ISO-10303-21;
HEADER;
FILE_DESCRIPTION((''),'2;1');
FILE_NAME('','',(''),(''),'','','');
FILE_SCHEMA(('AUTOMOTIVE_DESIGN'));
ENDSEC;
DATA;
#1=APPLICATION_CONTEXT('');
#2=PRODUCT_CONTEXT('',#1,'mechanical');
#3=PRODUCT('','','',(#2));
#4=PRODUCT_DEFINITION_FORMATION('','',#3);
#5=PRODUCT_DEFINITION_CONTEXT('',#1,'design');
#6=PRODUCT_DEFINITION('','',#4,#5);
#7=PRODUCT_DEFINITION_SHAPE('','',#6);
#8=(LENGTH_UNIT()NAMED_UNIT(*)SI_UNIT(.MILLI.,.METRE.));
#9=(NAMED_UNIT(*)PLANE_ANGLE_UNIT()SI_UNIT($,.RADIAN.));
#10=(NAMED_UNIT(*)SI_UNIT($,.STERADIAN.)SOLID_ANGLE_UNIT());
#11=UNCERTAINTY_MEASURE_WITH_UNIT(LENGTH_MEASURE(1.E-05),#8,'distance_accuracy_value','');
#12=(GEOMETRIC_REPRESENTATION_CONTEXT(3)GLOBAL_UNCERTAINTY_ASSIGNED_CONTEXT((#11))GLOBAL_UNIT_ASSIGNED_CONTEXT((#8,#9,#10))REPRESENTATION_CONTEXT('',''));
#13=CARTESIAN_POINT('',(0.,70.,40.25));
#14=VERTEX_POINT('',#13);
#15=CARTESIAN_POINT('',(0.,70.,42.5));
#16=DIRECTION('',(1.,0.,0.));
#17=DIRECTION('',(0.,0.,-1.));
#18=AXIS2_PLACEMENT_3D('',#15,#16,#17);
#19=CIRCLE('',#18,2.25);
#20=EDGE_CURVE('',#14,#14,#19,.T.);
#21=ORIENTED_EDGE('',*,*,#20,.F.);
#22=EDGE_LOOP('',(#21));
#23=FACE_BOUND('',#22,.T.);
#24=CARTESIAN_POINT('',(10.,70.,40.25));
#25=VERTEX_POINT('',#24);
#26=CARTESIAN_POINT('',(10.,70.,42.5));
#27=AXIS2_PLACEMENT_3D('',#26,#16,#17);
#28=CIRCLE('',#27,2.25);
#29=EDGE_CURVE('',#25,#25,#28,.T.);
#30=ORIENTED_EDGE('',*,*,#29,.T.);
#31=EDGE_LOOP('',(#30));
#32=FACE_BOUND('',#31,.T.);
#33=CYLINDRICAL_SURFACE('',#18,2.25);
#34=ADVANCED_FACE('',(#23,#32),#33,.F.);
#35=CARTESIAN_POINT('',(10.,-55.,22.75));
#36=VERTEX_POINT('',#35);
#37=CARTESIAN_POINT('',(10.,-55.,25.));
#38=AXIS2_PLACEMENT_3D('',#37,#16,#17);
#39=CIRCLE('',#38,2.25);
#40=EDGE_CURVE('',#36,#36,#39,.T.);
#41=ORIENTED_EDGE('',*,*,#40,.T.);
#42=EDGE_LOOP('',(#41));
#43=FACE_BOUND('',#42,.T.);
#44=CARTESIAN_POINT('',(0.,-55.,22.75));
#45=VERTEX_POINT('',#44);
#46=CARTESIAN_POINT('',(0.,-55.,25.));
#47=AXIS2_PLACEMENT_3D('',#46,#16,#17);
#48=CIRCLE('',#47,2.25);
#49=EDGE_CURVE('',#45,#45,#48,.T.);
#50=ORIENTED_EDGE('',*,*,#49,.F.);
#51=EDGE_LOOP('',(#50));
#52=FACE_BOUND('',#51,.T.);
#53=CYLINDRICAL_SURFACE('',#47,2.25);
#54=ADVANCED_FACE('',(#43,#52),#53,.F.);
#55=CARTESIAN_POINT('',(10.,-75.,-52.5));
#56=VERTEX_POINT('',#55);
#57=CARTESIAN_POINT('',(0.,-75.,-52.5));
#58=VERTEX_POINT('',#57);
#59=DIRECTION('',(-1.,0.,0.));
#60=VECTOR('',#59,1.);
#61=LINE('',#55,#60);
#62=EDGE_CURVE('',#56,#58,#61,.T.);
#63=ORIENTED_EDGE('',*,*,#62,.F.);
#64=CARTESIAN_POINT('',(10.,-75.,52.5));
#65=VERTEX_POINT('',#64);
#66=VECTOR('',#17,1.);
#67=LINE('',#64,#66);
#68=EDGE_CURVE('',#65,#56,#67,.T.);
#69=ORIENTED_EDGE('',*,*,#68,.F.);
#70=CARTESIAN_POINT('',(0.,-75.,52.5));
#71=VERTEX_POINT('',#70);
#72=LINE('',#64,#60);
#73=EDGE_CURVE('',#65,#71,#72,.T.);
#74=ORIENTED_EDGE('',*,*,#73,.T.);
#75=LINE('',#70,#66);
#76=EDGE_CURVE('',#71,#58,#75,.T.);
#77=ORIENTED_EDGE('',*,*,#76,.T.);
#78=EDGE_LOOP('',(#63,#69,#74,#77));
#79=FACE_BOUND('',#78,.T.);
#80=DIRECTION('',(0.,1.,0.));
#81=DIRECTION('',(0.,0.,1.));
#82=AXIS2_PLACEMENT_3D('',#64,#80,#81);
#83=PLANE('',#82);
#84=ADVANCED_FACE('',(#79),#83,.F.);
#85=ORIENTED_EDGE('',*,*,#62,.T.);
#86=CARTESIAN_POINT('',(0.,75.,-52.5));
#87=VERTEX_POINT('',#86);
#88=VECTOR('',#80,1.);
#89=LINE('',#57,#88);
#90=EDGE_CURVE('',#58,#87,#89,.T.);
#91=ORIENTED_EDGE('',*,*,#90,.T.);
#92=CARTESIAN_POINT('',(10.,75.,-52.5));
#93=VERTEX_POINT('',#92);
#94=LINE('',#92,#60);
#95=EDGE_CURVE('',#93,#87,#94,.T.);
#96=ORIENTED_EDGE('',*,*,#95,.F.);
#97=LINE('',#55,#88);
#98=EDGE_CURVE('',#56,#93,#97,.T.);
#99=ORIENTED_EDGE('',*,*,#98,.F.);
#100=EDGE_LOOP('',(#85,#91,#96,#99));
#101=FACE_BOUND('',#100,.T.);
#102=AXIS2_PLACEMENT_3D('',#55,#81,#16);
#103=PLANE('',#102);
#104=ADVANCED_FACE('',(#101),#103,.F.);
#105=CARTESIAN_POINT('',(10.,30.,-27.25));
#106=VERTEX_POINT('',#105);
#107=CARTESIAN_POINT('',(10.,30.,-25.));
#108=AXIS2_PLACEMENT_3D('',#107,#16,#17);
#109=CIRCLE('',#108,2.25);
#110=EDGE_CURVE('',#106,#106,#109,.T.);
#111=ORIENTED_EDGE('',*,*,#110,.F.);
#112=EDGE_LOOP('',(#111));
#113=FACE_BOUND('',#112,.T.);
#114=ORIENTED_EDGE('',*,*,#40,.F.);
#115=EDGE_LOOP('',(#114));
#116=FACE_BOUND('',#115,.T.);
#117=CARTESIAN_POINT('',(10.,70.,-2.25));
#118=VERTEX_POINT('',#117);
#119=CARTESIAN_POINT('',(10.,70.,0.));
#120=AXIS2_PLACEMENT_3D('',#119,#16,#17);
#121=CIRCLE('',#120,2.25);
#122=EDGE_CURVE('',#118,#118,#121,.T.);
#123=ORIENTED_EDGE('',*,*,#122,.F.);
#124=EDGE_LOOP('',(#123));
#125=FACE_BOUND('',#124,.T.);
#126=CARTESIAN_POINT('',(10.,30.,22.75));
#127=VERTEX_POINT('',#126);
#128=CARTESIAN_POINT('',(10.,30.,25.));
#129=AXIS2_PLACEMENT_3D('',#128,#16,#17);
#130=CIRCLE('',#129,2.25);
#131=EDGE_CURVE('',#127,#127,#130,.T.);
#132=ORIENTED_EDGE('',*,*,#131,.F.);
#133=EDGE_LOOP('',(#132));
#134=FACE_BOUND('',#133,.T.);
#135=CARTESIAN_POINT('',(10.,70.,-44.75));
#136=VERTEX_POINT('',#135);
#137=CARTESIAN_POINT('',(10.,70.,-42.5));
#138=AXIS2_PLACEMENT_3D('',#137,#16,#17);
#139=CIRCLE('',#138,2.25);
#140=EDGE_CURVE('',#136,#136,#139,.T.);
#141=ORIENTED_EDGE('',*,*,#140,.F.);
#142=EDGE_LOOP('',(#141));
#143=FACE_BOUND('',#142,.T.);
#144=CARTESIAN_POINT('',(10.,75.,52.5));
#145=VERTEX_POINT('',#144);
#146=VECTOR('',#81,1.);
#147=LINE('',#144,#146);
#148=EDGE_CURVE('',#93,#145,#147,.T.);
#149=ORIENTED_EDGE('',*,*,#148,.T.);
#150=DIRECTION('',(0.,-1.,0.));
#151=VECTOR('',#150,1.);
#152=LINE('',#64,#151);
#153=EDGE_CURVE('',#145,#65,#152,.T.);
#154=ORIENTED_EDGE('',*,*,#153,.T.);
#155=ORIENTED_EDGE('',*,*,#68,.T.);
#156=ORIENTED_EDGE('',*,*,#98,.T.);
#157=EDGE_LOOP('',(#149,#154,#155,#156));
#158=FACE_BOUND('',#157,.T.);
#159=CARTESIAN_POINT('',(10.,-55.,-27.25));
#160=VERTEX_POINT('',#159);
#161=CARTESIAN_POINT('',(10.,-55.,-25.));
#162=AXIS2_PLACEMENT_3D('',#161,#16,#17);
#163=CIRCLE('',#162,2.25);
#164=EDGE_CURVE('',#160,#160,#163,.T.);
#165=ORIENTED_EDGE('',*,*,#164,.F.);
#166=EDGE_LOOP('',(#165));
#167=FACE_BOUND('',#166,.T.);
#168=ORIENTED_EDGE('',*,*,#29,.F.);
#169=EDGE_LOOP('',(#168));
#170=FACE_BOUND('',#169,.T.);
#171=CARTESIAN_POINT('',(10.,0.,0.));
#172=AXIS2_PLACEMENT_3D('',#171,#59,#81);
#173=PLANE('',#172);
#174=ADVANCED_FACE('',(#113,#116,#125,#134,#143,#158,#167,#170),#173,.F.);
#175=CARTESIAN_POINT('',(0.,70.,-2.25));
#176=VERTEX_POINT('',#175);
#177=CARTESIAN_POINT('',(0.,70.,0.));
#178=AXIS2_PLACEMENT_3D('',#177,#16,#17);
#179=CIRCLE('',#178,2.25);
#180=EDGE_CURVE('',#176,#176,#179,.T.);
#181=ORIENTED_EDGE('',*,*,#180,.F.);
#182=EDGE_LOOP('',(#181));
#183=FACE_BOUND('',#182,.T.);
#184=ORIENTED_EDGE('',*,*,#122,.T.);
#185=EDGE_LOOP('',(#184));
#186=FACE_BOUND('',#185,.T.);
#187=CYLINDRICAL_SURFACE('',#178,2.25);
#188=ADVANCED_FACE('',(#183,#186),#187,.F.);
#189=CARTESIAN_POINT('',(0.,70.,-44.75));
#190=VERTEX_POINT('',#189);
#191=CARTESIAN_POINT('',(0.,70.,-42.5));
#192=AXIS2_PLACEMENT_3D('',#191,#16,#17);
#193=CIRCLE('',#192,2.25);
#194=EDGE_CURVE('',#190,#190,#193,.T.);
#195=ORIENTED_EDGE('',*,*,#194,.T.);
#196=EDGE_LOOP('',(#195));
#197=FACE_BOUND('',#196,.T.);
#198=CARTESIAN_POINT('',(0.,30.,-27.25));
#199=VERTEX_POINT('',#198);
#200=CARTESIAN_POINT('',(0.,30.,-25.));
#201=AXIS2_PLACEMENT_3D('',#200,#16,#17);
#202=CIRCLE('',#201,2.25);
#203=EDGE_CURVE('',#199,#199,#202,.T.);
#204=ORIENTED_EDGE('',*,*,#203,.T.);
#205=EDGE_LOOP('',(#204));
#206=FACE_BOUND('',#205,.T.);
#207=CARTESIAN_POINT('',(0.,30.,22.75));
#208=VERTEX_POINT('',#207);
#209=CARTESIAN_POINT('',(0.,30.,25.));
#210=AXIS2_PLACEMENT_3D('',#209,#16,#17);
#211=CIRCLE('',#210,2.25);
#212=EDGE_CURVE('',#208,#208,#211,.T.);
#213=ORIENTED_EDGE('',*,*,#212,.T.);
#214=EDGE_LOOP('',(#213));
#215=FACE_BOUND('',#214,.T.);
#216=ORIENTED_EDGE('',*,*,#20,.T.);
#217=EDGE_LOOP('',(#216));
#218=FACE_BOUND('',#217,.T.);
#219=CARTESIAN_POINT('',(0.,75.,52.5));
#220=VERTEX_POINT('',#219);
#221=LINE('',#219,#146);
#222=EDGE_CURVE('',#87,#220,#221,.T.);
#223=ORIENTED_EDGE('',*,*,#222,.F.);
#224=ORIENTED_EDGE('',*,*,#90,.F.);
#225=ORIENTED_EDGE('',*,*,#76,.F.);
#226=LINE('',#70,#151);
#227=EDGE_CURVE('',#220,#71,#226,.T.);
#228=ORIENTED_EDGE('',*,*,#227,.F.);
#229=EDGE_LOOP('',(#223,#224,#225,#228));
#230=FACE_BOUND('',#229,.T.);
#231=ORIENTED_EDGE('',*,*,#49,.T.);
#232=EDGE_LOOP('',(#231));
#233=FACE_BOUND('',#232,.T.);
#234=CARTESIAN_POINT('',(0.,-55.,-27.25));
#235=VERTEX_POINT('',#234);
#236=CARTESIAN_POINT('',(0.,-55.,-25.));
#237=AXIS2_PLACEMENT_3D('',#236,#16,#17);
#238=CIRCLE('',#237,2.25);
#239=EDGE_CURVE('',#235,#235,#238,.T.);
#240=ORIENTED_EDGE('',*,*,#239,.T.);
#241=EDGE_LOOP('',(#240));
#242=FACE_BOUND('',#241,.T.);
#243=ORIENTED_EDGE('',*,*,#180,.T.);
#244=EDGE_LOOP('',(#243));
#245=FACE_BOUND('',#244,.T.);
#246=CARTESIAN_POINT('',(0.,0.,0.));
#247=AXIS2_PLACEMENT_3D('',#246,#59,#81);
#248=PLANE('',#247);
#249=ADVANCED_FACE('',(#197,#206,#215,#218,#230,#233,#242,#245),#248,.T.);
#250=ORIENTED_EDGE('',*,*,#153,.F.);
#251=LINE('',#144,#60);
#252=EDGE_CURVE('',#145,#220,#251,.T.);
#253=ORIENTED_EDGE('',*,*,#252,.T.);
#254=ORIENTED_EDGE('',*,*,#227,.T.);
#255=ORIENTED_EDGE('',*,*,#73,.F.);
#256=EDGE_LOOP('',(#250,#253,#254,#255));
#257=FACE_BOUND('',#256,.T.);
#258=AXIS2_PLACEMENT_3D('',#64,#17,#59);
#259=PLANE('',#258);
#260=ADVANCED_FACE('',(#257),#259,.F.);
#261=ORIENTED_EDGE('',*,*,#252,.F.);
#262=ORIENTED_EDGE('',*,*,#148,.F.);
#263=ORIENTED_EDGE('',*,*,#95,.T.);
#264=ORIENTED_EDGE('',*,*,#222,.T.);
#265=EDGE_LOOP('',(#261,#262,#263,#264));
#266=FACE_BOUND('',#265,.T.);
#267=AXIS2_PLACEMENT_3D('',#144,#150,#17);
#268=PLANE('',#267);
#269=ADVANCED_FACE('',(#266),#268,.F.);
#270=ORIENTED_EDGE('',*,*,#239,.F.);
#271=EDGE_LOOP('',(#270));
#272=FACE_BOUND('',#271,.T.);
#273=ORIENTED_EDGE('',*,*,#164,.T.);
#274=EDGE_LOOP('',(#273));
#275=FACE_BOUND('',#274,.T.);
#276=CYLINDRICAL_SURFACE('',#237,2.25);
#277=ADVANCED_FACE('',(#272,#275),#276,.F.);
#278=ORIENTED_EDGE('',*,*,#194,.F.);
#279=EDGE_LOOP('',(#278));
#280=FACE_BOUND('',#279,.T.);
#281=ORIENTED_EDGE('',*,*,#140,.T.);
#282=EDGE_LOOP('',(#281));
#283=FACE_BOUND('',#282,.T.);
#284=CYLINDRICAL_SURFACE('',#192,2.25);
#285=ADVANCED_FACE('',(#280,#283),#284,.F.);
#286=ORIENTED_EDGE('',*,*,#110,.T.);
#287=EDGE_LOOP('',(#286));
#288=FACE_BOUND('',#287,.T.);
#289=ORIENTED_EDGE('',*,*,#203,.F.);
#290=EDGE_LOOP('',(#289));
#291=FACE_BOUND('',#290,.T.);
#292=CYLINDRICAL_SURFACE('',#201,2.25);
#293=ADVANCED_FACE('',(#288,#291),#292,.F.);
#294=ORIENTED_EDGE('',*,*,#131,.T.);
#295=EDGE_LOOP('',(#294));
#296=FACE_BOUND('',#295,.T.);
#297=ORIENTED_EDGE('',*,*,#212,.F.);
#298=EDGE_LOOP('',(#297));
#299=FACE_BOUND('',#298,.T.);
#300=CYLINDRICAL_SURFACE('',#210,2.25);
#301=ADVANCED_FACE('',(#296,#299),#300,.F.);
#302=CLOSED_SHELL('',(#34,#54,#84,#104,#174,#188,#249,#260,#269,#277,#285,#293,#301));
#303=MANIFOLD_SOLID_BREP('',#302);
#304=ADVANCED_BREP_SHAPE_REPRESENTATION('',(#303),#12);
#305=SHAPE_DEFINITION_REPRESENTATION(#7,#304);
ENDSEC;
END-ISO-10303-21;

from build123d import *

# Parameters (mm, degrees)
CROQUIS1_W              = 105
CROQUIS1_H              = 150
SALIENTE_EXTRUIR1_DEPTH = 10
CROQUIS2_R              = 2.25
CORTAR_EXTRUIR1_DEPTH   = 93.093702282
CROQUIS3_R              = 2.25
CORTAR_EXTRUIR2_DEPTH   = 93.093702282


with BuildPart() as part:
    # Croquis1 → Saliente-Extruir1 (new body)
    with BuildSketch(Plane(origin=(0, 0, 0), x_dir=(0, 0, -1), z_dir=(1, 0, 0))):
        Rectangle(CROQUIS1_W, CROQUIS1_H)
    extrude(amount=SALIENTE_EXTRUIR1_DEPTH)

    # Croquis2 → Cortar-Extruir1 (cut, through all)
    with BuildSketch(Plane(origin=(10, 0, 0), x_dir=(0, 0, -1), z_dir=(1, 0, 0))):
        with Locations((-42.5, 70)):
            Circle(CROQUIS2_R)
        with Locations((0, 70)):
            Circle(CROQUIS2_R)
        with Locations((42.5, 70)):
            Circle(CROQUIS2_R)
    extrude(amount=-CORTAR_EXTRUIR1_DEPTH, mode=Mode.SUBTRACT)

    # Croquis3 → Cortar-Extruir2 (cut, through all)
    with BuildSketch(Plane(origin=(10, 0, 0), x_dir=(0, 0, -1), z_dir=(1, 0, 0))):
        with Locations((25, 30)):
            Circle(CROQUIS3_R)
        with Locations((-25, 30)):
            Circle(CROQUIS3_R)
        with Locations((25, -55)):
            Circle(CROQUIS3_R)
        with Locations((-25, -55)):
            Circle(CROQUIS3_R)
    extrude(amount=-CORTAR_EXTRUIR2_DEPTH, mode=Mode.SUBTRACT)


solid = part.part
